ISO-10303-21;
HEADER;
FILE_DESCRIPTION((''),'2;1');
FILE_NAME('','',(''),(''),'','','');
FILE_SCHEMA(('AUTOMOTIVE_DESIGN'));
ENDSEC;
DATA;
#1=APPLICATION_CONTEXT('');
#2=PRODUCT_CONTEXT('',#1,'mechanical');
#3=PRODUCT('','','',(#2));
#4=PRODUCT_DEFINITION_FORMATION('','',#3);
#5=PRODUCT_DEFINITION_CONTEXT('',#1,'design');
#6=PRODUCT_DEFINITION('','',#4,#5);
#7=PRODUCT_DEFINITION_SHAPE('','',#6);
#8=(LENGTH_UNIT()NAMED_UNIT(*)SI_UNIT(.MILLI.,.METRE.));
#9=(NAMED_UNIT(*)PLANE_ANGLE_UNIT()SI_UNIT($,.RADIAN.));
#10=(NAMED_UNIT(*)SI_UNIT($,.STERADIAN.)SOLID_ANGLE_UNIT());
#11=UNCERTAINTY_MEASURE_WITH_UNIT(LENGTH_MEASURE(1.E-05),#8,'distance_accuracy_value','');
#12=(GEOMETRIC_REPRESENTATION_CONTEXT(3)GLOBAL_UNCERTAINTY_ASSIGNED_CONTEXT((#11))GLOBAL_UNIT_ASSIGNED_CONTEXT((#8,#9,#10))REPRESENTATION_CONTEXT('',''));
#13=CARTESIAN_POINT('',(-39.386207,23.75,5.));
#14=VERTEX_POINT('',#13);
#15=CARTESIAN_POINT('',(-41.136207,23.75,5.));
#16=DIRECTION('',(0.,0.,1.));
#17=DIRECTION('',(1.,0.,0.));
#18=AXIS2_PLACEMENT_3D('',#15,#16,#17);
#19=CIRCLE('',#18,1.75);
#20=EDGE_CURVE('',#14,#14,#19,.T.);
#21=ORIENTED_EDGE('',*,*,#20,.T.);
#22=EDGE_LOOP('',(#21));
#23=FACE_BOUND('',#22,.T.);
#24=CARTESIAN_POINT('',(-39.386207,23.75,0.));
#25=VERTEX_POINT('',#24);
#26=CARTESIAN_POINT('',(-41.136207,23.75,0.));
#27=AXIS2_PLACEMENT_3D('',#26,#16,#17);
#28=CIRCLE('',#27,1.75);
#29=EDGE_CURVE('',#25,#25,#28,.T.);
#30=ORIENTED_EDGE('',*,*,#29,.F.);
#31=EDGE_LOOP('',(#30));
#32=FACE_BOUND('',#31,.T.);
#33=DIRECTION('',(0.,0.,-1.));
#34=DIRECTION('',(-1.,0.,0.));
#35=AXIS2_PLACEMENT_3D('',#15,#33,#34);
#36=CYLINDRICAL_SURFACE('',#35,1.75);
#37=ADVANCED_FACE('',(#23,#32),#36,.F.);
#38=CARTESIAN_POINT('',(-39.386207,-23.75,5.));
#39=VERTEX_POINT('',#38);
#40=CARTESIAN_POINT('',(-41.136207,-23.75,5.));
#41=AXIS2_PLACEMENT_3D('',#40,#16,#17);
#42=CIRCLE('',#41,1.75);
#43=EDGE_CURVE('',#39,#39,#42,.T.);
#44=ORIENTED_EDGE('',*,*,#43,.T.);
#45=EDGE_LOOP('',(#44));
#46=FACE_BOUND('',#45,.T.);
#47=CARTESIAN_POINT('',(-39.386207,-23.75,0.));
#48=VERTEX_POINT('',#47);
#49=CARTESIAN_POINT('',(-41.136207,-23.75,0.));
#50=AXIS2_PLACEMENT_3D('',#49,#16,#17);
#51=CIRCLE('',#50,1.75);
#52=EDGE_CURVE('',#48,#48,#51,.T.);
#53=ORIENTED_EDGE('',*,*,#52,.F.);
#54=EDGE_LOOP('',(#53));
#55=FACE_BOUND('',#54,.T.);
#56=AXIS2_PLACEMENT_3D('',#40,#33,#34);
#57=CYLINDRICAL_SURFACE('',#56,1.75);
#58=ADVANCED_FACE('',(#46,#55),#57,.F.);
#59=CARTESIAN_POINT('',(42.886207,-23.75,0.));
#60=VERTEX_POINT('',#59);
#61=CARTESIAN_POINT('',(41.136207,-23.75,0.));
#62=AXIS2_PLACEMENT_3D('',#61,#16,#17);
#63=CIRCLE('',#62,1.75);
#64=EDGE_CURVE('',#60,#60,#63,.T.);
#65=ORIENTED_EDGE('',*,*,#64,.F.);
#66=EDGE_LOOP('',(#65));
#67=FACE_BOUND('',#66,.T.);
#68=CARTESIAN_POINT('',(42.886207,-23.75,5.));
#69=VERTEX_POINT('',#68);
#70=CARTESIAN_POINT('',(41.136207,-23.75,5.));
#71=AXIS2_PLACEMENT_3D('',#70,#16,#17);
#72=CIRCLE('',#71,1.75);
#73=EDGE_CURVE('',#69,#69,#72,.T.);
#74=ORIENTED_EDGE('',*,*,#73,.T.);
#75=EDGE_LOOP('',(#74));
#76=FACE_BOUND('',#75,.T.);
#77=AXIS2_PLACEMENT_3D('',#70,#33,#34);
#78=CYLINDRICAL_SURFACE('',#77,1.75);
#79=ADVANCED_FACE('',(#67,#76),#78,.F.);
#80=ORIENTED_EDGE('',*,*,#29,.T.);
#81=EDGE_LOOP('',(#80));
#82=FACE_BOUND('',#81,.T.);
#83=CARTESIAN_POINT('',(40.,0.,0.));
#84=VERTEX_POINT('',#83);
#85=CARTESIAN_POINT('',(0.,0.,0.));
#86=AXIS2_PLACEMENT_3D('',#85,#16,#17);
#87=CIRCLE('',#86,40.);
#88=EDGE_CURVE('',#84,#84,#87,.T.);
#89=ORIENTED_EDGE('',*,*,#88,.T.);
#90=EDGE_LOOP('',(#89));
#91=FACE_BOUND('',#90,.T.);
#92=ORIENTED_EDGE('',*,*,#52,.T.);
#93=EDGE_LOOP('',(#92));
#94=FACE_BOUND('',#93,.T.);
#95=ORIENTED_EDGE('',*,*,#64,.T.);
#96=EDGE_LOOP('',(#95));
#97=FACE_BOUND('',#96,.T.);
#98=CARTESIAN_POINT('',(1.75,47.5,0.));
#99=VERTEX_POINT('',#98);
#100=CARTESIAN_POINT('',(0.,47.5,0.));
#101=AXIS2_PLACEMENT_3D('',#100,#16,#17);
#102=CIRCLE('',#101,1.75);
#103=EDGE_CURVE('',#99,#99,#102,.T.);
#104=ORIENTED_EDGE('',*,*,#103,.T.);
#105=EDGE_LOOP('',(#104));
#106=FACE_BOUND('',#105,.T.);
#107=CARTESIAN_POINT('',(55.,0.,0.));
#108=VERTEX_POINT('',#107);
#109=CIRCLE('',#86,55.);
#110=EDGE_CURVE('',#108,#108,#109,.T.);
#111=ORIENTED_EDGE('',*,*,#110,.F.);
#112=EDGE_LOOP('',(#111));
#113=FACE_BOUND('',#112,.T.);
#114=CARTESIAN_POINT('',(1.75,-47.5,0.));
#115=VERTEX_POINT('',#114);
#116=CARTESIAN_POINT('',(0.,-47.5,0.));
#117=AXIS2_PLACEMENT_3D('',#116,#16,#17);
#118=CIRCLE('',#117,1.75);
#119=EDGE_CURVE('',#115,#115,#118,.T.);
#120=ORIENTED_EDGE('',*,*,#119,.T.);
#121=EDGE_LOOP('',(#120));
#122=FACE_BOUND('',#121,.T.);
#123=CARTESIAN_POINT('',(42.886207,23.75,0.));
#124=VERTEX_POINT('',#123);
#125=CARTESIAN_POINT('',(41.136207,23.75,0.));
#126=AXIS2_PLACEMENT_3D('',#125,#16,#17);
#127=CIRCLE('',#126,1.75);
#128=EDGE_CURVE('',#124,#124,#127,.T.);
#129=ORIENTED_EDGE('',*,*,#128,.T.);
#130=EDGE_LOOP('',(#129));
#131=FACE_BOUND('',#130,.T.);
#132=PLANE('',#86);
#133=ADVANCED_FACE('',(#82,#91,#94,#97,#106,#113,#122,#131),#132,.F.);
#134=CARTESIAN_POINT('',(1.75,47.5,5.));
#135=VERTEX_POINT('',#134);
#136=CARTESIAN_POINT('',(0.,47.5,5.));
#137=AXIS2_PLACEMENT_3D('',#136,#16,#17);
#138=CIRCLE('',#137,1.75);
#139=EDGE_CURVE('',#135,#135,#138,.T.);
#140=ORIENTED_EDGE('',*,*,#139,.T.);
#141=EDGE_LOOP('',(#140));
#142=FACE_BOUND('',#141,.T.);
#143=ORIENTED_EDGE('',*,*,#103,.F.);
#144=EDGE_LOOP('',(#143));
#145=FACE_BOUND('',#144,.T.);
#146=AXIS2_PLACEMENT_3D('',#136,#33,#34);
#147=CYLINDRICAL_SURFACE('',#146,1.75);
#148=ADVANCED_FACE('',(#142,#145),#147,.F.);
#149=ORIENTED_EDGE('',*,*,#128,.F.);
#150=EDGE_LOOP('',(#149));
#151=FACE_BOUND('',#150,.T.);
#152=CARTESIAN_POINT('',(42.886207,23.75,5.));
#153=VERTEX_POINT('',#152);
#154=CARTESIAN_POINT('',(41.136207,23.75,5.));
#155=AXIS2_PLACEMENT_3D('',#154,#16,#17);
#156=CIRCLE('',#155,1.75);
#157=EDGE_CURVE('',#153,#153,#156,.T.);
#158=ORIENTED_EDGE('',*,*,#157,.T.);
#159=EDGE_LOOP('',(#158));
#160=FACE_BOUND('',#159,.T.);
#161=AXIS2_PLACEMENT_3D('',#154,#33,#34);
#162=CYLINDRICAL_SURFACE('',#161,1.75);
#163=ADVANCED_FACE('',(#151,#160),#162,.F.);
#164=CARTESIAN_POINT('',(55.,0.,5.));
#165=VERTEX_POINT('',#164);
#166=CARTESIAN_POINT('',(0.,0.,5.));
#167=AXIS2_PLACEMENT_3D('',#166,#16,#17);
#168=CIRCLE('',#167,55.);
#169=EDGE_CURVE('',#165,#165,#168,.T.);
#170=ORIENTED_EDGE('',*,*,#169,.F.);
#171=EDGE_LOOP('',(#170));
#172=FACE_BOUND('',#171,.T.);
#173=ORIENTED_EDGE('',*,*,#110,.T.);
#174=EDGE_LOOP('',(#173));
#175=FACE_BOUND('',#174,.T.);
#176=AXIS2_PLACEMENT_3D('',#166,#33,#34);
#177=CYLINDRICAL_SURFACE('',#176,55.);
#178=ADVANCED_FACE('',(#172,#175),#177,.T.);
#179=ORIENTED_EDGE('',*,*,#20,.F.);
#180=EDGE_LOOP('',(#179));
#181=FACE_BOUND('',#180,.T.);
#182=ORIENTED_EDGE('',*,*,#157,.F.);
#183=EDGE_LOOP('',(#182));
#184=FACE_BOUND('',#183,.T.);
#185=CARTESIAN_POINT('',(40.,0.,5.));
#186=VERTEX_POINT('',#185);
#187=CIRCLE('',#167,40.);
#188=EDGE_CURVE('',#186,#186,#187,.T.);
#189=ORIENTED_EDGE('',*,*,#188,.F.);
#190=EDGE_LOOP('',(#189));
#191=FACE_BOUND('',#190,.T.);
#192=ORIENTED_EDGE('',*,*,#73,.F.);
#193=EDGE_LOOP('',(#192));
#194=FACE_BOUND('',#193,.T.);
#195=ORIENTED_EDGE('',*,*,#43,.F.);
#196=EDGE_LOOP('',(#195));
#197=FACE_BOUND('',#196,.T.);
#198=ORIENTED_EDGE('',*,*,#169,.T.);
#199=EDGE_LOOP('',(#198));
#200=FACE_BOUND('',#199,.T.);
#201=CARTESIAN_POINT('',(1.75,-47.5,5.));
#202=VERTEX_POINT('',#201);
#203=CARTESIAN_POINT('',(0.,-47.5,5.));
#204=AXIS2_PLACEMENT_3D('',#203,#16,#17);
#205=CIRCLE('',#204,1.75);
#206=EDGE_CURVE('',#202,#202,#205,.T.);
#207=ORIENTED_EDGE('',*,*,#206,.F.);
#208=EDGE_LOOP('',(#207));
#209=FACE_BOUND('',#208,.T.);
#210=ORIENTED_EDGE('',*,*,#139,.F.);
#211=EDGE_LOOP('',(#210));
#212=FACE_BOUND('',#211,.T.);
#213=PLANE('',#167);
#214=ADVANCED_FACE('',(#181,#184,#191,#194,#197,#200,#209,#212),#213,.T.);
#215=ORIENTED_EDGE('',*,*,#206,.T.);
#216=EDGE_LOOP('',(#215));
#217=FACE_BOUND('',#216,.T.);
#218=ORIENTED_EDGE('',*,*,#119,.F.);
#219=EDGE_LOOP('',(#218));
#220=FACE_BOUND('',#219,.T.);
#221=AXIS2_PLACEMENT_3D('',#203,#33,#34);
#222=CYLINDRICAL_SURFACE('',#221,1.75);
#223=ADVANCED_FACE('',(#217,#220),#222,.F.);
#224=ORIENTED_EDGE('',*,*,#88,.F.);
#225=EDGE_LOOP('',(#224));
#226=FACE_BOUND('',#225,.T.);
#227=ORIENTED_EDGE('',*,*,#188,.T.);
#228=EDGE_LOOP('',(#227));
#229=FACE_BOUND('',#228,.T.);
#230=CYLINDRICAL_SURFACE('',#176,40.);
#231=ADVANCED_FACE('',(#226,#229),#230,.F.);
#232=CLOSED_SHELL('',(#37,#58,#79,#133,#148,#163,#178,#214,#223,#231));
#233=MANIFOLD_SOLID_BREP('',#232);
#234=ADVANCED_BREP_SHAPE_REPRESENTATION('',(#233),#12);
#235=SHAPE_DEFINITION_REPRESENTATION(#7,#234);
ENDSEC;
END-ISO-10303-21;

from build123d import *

# Parameters (mm, degrees)
ESQUISSE1_R        = 55
ESQUISSE1_R_2      = 40
ESQUISSE1_R_3      = 1.75
BOSS_EXTRU_1_DEPTH = 5


with BuildPart() as part:
    # Esquisse1 → Boss.-Extru.1 (new body)
    with BuildSketch(Plane.XY):
        Circle(ESQUISSE1_R)
        Circle(ESQUISSE1_R_2, mode=Mode.SUBTRACT)
        with Locations((0, 47.5)):
            Circle(ESQUISSE1_R_3, mode=Mode.SUBTRACT)
        with Locations((41.13620668, 23.75)):
            Circle(ESQUISSE1_R_3, mode=Mode.SUBTRACT)
        with Locations((41.13620668, -23.75)):
            Circle(ESQUISSE1_R_3, mode=Mode.SUBTRACT)
        with Locations((0, -47.5)):
            Circle(ESQUISSE1_R_3, mode=Mode.SUBTRACT)
        with Locations((-41.13620668, -23.75)):
            Circle(ESQUISSE1_R_3, mode=Mode.SUBTRACT)
        with Locations((-41.13620668, 23.75)):
            Circle(ESQUISSE1_R_3, mode=Mode.SUBTRACT)
    extrude(amount=BOSS_EXTRU_1_DEPTH)


solid = part.part
